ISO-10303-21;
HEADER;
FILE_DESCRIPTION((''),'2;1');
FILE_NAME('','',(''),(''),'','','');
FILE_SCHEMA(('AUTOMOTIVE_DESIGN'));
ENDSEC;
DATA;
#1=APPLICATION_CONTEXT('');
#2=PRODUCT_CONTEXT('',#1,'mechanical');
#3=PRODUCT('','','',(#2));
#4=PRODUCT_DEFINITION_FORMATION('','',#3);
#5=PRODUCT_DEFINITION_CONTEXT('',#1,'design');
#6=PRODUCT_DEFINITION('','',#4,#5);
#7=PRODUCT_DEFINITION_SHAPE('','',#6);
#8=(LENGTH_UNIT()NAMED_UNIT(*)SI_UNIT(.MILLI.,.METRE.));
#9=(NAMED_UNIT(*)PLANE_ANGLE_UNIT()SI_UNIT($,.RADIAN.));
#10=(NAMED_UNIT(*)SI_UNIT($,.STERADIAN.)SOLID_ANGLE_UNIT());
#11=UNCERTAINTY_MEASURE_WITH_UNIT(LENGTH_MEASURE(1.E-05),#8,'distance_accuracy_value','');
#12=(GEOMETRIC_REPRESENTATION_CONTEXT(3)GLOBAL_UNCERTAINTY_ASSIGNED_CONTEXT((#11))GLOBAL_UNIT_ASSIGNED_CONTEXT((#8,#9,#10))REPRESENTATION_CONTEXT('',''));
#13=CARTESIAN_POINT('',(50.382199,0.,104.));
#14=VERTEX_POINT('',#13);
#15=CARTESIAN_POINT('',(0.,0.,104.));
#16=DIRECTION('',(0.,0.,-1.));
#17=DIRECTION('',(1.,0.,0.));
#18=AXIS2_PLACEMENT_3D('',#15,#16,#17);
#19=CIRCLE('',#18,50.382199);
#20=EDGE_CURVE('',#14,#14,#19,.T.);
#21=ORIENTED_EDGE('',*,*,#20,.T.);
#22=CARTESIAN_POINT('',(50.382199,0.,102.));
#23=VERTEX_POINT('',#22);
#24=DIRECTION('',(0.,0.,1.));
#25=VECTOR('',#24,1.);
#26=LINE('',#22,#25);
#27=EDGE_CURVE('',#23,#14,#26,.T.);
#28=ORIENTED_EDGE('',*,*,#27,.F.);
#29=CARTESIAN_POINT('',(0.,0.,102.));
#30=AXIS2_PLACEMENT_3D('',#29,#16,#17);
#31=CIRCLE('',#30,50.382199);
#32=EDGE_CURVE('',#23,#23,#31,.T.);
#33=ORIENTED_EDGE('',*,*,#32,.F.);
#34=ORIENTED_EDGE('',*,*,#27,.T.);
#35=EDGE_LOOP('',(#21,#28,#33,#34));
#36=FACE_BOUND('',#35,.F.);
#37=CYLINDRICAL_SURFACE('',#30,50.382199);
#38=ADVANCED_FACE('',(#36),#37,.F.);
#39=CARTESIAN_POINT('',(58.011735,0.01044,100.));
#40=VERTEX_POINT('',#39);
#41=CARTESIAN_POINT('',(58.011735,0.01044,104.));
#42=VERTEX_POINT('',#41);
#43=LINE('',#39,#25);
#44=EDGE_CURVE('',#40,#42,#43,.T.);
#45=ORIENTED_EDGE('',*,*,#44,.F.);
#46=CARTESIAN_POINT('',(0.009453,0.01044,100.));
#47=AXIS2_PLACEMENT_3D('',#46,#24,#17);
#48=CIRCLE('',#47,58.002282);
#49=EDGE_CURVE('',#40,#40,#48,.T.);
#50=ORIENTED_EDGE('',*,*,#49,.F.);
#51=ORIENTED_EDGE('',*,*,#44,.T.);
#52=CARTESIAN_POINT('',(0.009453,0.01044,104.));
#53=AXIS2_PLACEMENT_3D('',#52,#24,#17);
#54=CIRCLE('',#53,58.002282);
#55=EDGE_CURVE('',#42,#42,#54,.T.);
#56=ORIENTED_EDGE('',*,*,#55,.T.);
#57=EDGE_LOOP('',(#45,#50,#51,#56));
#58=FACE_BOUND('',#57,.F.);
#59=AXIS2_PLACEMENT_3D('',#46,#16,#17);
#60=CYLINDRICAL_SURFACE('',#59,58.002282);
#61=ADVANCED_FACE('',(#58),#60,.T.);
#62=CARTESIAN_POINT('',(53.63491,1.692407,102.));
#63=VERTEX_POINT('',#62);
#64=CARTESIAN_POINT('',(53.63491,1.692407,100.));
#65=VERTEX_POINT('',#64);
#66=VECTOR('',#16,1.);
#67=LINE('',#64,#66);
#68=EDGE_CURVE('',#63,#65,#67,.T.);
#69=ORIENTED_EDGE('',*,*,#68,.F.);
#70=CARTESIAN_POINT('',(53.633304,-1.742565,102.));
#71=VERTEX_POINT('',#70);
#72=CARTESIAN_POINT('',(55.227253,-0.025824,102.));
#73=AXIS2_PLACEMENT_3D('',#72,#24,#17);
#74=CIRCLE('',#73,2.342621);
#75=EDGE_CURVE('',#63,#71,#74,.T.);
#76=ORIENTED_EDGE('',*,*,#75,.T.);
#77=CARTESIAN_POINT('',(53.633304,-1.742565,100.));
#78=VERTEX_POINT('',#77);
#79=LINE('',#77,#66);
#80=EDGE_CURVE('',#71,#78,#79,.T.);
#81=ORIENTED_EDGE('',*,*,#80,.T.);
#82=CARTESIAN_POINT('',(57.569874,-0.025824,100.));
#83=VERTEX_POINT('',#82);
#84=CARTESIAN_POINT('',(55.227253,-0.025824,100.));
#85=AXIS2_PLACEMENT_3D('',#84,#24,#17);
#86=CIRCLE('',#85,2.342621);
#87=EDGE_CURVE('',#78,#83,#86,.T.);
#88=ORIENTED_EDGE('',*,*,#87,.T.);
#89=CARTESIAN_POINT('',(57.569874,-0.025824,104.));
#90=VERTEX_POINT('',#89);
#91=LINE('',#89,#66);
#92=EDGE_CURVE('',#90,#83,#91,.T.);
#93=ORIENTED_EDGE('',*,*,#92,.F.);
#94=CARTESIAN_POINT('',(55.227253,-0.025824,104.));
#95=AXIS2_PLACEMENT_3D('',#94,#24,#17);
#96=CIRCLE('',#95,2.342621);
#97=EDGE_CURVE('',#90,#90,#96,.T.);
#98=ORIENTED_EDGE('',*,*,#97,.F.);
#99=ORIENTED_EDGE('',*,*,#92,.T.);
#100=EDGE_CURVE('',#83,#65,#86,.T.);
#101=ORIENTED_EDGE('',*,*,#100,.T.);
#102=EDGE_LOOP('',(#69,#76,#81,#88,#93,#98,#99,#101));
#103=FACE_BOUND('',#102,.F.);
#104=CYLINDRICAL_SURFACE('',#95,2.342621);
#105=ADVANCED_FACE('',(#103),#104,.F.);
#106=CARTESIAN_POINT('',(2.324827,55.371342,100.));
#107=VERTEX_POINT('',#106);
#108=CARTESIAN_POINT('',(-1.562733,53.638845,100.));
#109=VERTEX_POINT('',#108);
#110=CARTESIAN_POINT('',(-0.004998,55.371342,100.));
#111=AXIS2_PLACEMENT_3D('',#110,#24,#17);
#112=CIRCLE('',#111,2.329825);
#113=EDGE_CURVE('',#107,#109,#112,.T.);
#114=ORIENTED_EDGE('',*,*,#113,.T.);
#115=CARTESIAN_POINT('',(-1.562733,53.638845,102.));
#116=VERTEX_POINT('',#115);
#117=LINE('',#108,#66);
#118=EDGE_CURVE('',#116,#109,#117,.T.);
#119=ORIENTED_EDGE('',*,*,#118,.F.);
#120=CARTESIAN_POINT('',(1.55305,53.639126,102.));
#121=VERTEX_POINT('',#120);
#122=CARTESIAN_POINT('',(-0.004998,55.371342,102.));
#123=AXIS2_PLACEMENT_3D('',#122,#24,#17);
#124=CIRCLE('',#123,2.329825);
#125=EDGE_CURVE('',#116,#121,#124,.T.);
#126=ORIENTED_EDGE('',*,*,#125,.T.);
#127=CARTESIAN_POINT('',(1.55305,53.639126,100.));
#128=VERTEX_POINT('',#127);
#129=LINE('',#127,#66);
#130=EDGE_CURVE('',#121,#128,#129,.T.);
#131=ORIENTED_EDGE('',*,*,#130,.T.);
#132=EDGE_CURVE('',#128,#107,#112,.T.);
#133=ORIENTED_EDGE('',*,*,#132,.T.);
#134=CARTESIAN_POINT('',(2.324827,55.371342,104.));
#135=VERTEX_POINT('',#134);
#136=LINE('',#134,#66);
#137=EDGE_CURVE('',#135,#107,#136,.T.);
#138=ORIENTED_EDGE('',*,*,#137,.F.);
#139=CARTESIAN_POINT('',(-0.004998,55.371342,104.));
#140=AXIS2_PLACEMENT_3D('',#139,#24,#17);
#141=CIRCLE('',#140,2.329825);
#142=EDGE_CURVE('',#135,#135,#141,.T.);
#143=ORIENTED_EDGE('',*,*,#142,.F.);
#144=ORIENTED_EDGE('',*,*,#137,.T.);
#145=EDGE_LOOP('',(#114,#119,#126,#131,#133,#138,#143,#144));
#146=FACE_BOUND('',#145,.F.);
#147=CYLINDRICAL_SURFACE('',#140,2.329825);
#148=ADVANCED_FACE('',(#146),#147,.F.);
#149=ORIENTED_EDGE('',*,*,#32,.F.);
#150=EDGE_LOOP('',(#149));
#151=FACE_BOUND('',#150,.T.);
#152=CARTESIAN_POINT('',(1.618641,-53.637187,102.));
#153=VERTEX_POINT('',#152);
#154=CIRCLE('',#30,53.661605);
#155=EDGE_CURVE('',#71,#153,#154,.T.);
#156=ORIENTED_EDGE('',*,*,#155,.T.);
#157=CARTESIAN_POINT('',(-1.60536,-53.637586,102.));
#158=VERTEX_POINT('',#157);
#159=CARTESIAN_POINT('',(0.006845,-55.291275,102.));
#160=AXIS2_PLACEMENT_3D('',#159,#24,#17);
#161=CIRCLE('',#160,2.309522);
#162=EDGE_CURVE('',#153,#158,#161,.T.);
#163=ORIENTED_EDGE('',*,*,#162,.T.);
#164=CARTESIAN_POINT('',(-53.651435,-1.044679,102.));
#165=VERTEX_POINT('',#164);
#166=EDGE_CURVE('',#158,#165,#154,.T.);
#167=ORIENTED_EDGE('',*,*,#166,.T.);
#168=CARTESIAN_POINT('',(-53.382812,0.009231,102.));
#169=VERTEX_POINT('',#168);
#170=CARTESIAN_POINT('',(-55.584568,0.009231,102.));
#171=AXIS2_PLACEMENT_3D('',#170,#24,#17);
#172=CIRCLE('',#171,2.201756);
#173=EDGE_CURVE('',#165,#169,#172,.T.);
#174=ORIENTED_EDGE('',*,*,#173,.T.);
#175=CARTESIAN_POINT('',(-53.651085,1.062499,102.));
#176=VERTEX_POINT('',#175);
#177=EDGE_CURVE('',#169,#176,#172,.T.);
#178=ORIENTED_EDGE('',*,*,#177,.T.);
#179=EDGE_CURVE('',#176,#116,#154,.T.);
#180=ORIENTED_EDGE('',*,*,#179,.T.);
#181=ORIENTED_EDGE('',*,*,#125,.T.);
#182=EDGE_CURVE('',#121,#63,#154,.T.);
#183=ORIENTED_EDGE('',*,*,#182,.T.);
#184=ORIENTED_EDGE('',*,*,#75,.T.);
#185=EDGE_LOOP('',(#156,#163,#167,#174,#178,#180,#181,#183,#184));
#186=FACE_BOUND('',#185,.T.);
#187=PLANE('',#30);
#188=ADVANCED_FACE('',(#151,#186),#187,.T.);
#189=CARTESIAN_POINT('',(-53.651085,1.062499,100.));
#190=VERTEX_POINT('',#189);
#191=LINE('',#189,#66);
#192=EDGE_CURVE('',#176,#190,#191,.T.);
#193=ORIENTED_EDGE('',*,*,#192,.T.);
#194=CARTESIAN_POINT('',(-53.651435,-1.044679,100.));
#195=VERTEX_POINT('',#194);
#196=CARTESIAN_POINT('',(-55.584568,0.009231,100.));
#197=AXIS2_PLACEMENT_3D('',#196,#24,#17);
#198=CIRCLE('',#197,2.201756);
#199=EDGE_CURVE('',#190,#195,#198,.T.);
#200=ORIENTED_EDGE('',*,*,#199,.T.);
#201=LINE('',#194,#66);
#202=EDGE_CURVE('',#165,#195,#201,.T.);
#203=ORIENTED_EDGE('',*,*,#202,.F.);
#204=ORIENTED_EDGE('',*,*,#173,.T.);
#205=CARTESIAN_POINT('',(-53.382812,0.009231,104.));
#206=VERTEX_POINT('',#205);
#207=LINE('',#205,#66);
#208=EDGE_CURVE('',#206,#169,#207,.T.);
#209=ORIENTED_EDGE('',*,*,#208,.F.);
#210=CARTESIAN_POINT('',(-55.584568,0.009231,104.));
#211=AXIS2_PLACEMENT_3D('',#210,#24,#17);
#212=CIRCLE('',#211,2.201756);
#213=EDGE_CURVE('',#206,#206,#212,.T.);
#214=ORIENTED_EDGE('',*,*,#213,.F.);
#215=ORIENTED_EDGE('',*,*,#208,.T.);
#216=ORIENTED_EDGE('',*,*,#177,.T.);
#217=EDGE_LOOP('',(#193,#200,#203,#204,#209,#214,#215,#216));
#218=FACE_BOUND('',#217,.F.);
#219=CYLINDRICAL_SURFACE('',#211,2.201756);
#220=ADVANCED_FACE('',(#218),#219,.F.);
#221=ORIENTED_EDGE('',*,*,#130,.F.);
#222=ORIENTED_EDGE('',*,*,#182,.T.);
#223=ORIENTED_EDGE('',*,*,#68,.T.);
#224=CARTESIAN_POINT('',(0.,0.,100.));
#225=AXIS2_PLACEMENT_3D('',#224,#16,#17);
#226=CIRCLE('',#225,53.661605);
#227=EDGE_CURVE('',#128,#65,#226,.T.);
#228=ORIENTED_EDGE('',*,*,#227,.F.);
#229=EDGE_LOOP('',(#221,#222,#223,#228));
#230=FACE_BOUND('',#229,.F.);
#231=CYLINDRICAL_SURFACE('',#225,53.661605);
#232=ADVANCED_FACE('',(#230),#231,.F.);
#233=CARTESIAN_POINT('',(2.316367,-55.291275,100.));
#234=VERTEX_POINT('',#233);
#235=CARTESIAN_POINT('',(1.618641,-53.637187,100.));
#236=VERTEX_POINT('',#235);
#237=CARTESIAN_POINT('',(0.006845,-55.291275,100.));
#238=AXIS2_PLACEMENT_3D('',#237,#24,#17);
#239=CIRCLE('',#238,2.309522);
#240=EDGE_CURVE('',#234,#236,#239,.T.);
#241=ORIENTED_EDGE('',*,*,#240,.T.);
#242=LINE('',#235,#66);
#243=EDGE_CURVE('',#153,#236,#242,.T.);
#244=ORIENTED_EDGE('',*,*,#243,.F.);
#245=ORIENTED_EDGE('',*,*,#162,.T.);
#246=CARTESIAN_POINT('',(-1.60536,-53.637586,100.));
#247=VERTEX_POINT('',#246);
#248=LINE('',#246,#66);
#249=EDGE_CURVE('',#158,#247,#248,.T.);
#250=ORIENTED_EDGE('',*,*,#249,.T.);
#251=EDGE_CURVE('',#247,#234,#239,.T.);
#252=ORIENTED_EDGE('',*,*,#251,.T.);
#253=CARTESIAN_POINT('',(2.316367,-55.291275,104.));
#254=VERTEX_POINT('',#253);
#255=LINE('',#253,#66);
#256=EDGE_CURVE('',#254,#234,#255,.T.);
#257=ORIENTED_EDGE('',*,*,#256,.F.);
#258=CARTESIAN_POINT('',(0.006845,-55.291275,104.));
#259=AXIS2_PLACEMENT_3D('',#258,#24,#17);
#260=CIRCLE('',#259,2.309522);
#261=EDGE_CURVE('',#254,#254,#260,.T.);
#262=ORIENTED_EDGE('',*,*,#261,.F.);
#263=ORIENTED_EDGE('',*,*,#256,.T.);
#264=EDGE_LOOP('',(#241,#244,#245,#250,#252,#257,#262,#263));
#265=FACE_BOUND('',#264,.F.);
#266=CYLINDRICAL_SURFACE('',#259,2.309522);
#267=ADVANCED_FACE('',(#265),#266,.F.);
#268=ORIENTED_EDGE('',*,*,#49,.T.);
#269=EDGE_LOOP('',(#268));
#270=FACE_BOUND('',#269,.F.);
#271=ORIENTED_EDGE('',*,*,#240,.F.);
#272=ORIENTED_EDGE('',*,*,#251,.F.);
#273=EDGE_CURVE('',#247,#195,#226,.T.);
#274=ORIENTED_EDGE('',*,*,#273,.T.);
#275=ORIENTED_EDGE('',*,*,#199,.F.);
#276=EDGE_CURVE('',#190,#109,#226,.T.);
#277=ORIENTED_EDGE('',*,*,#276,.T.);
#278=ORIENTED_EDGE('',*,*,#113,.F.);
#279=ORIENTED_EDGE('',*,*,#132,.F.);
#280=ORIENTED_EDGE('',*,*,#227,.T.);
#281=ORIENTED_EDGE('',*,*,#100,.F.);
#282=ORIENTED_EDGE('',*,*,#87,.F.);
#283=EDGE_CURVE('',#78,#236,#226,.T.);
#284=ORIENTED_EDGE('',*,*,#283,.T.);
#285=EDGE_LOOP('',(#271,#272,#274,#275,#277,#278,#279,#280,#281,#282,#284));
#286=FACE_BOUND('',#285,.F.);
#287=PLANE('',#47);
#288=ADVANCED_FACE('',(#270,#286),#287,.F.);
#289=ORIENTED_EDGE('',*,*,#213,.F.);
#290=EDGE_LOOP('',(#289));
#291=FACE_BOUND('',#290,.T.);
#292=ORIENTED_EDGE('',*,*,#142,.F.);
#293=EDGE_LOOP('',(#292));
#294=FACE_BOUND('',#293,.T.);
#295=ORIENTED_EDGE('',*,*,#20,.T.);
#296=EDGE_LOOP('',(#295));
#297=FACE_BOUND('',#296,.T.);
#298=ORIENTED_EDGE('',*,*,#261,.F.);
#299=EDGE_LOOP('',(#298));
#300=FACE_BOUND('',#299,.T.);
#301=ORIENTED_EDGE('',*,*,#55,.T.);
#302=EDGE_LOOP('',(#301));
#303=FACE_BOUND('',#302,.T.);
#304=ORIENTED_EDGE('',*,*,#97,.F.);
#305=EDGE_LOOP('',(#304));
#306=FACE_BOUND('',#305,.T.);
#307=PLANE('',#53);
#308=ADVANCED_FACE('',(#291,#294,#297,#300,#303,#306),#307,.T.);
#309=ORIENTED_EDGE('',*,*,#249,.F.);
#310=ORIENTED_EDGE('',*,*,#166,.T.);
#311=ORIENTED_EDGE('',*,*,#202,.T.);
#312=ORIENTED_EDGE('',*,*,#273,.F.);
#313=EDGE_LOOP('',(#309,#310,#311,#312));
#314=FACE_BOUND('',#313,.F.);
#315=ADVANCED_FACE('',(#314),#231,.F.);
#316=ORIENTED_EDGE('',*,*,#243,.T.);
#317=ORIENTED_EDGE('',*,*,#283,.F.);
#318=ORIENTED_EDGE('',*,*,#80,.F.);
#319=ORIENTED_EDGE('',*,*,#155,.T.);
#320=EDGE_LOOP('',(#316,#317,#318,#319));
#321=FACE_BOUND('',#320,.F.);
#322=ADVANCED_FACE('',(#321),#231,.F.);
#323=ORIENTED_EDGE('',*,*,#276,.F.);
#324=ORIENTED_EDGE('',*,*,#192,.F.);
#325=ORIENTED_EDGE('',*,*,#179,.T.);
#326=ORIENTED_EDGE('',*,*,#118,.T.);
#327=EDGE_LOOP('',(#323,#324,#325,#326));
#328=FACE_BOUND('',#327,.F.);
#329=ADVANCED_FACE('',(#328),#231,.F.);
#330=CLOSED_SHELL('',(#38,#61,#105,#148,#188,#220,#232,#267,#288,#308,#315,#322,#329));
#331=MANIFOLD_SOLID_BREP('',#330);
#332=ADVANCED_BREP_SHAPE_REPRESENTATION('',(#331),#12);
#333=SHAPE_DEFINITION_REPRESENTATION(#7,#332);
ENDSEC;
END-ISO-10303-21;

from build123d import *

# Parameters (mm, degrees)
SKETCH016_R     = 58.002282
PAD003_DEPTH    = 4
SKETCH017_R     = 53.661605
POCKET009_DEPTH = 2
SKETCH018_R     = 50.382199
POCKET010_DEPTH = 10
SKETCH019_R     = 2.342621
SKETCH019_R_2   = 2.309522
SKETCH019_R_3   = 2.201756
SKETCH019_R_4   = 2.329825
POCKET011_DEPTH = 5


with BuildPart() as part:
    # Sketch016 → Pad003 (new body)
    with BuildSketch(Plane.XY.offset(100)):
        with Locations((0.009453, 0.01044)):
            Circle(SKETCH016_R)
    extrude(amount=PAD003_DEPTH)

    # Sketch017 → Pocket009 (cut)
    with BuildSketch(Plane(origin=(0, 0, 100), x_dir=(1, 0, 0), z_dir=(0, 0, -1))):
        Circle(SKETCH017_R)
    extrude(amount=-POCKET009_DEPTH, mode=Mode.SUBTRACT)

    # Sketch018 → Pocket010 (cut)
    with BuildSketch(Plane(origin=(0, 0, 102), x_dir=(1, 0, 0), z_dir=(0, 0, -1))):
        Circle(SKETCH018_R)
    extrude(amount=-POCKET010_DEPTH, mode=Mode.SUBTRACT)

    # Sketch019 → Pocket011 (cut)
    with BuildSketch(Plane.XY.offset(104)):
        with Locations((55.227253, -0.025824)):
            Circle(SKETCH019_R)
        with Locations((0.006845, -55.291275)):
            Circle(SKETCH019_R_2)
        with Locations((-55.584568, 0.009231)):
            Circle(SKETCH019_R_3)
        with Locations((-0.004998, 55.371342)):
            Circle(SKETCH019_R_4)
    extrude(amount=-POCKET011_DEPTH, mode=Mode.SUBTRACT)


solid = part.part
